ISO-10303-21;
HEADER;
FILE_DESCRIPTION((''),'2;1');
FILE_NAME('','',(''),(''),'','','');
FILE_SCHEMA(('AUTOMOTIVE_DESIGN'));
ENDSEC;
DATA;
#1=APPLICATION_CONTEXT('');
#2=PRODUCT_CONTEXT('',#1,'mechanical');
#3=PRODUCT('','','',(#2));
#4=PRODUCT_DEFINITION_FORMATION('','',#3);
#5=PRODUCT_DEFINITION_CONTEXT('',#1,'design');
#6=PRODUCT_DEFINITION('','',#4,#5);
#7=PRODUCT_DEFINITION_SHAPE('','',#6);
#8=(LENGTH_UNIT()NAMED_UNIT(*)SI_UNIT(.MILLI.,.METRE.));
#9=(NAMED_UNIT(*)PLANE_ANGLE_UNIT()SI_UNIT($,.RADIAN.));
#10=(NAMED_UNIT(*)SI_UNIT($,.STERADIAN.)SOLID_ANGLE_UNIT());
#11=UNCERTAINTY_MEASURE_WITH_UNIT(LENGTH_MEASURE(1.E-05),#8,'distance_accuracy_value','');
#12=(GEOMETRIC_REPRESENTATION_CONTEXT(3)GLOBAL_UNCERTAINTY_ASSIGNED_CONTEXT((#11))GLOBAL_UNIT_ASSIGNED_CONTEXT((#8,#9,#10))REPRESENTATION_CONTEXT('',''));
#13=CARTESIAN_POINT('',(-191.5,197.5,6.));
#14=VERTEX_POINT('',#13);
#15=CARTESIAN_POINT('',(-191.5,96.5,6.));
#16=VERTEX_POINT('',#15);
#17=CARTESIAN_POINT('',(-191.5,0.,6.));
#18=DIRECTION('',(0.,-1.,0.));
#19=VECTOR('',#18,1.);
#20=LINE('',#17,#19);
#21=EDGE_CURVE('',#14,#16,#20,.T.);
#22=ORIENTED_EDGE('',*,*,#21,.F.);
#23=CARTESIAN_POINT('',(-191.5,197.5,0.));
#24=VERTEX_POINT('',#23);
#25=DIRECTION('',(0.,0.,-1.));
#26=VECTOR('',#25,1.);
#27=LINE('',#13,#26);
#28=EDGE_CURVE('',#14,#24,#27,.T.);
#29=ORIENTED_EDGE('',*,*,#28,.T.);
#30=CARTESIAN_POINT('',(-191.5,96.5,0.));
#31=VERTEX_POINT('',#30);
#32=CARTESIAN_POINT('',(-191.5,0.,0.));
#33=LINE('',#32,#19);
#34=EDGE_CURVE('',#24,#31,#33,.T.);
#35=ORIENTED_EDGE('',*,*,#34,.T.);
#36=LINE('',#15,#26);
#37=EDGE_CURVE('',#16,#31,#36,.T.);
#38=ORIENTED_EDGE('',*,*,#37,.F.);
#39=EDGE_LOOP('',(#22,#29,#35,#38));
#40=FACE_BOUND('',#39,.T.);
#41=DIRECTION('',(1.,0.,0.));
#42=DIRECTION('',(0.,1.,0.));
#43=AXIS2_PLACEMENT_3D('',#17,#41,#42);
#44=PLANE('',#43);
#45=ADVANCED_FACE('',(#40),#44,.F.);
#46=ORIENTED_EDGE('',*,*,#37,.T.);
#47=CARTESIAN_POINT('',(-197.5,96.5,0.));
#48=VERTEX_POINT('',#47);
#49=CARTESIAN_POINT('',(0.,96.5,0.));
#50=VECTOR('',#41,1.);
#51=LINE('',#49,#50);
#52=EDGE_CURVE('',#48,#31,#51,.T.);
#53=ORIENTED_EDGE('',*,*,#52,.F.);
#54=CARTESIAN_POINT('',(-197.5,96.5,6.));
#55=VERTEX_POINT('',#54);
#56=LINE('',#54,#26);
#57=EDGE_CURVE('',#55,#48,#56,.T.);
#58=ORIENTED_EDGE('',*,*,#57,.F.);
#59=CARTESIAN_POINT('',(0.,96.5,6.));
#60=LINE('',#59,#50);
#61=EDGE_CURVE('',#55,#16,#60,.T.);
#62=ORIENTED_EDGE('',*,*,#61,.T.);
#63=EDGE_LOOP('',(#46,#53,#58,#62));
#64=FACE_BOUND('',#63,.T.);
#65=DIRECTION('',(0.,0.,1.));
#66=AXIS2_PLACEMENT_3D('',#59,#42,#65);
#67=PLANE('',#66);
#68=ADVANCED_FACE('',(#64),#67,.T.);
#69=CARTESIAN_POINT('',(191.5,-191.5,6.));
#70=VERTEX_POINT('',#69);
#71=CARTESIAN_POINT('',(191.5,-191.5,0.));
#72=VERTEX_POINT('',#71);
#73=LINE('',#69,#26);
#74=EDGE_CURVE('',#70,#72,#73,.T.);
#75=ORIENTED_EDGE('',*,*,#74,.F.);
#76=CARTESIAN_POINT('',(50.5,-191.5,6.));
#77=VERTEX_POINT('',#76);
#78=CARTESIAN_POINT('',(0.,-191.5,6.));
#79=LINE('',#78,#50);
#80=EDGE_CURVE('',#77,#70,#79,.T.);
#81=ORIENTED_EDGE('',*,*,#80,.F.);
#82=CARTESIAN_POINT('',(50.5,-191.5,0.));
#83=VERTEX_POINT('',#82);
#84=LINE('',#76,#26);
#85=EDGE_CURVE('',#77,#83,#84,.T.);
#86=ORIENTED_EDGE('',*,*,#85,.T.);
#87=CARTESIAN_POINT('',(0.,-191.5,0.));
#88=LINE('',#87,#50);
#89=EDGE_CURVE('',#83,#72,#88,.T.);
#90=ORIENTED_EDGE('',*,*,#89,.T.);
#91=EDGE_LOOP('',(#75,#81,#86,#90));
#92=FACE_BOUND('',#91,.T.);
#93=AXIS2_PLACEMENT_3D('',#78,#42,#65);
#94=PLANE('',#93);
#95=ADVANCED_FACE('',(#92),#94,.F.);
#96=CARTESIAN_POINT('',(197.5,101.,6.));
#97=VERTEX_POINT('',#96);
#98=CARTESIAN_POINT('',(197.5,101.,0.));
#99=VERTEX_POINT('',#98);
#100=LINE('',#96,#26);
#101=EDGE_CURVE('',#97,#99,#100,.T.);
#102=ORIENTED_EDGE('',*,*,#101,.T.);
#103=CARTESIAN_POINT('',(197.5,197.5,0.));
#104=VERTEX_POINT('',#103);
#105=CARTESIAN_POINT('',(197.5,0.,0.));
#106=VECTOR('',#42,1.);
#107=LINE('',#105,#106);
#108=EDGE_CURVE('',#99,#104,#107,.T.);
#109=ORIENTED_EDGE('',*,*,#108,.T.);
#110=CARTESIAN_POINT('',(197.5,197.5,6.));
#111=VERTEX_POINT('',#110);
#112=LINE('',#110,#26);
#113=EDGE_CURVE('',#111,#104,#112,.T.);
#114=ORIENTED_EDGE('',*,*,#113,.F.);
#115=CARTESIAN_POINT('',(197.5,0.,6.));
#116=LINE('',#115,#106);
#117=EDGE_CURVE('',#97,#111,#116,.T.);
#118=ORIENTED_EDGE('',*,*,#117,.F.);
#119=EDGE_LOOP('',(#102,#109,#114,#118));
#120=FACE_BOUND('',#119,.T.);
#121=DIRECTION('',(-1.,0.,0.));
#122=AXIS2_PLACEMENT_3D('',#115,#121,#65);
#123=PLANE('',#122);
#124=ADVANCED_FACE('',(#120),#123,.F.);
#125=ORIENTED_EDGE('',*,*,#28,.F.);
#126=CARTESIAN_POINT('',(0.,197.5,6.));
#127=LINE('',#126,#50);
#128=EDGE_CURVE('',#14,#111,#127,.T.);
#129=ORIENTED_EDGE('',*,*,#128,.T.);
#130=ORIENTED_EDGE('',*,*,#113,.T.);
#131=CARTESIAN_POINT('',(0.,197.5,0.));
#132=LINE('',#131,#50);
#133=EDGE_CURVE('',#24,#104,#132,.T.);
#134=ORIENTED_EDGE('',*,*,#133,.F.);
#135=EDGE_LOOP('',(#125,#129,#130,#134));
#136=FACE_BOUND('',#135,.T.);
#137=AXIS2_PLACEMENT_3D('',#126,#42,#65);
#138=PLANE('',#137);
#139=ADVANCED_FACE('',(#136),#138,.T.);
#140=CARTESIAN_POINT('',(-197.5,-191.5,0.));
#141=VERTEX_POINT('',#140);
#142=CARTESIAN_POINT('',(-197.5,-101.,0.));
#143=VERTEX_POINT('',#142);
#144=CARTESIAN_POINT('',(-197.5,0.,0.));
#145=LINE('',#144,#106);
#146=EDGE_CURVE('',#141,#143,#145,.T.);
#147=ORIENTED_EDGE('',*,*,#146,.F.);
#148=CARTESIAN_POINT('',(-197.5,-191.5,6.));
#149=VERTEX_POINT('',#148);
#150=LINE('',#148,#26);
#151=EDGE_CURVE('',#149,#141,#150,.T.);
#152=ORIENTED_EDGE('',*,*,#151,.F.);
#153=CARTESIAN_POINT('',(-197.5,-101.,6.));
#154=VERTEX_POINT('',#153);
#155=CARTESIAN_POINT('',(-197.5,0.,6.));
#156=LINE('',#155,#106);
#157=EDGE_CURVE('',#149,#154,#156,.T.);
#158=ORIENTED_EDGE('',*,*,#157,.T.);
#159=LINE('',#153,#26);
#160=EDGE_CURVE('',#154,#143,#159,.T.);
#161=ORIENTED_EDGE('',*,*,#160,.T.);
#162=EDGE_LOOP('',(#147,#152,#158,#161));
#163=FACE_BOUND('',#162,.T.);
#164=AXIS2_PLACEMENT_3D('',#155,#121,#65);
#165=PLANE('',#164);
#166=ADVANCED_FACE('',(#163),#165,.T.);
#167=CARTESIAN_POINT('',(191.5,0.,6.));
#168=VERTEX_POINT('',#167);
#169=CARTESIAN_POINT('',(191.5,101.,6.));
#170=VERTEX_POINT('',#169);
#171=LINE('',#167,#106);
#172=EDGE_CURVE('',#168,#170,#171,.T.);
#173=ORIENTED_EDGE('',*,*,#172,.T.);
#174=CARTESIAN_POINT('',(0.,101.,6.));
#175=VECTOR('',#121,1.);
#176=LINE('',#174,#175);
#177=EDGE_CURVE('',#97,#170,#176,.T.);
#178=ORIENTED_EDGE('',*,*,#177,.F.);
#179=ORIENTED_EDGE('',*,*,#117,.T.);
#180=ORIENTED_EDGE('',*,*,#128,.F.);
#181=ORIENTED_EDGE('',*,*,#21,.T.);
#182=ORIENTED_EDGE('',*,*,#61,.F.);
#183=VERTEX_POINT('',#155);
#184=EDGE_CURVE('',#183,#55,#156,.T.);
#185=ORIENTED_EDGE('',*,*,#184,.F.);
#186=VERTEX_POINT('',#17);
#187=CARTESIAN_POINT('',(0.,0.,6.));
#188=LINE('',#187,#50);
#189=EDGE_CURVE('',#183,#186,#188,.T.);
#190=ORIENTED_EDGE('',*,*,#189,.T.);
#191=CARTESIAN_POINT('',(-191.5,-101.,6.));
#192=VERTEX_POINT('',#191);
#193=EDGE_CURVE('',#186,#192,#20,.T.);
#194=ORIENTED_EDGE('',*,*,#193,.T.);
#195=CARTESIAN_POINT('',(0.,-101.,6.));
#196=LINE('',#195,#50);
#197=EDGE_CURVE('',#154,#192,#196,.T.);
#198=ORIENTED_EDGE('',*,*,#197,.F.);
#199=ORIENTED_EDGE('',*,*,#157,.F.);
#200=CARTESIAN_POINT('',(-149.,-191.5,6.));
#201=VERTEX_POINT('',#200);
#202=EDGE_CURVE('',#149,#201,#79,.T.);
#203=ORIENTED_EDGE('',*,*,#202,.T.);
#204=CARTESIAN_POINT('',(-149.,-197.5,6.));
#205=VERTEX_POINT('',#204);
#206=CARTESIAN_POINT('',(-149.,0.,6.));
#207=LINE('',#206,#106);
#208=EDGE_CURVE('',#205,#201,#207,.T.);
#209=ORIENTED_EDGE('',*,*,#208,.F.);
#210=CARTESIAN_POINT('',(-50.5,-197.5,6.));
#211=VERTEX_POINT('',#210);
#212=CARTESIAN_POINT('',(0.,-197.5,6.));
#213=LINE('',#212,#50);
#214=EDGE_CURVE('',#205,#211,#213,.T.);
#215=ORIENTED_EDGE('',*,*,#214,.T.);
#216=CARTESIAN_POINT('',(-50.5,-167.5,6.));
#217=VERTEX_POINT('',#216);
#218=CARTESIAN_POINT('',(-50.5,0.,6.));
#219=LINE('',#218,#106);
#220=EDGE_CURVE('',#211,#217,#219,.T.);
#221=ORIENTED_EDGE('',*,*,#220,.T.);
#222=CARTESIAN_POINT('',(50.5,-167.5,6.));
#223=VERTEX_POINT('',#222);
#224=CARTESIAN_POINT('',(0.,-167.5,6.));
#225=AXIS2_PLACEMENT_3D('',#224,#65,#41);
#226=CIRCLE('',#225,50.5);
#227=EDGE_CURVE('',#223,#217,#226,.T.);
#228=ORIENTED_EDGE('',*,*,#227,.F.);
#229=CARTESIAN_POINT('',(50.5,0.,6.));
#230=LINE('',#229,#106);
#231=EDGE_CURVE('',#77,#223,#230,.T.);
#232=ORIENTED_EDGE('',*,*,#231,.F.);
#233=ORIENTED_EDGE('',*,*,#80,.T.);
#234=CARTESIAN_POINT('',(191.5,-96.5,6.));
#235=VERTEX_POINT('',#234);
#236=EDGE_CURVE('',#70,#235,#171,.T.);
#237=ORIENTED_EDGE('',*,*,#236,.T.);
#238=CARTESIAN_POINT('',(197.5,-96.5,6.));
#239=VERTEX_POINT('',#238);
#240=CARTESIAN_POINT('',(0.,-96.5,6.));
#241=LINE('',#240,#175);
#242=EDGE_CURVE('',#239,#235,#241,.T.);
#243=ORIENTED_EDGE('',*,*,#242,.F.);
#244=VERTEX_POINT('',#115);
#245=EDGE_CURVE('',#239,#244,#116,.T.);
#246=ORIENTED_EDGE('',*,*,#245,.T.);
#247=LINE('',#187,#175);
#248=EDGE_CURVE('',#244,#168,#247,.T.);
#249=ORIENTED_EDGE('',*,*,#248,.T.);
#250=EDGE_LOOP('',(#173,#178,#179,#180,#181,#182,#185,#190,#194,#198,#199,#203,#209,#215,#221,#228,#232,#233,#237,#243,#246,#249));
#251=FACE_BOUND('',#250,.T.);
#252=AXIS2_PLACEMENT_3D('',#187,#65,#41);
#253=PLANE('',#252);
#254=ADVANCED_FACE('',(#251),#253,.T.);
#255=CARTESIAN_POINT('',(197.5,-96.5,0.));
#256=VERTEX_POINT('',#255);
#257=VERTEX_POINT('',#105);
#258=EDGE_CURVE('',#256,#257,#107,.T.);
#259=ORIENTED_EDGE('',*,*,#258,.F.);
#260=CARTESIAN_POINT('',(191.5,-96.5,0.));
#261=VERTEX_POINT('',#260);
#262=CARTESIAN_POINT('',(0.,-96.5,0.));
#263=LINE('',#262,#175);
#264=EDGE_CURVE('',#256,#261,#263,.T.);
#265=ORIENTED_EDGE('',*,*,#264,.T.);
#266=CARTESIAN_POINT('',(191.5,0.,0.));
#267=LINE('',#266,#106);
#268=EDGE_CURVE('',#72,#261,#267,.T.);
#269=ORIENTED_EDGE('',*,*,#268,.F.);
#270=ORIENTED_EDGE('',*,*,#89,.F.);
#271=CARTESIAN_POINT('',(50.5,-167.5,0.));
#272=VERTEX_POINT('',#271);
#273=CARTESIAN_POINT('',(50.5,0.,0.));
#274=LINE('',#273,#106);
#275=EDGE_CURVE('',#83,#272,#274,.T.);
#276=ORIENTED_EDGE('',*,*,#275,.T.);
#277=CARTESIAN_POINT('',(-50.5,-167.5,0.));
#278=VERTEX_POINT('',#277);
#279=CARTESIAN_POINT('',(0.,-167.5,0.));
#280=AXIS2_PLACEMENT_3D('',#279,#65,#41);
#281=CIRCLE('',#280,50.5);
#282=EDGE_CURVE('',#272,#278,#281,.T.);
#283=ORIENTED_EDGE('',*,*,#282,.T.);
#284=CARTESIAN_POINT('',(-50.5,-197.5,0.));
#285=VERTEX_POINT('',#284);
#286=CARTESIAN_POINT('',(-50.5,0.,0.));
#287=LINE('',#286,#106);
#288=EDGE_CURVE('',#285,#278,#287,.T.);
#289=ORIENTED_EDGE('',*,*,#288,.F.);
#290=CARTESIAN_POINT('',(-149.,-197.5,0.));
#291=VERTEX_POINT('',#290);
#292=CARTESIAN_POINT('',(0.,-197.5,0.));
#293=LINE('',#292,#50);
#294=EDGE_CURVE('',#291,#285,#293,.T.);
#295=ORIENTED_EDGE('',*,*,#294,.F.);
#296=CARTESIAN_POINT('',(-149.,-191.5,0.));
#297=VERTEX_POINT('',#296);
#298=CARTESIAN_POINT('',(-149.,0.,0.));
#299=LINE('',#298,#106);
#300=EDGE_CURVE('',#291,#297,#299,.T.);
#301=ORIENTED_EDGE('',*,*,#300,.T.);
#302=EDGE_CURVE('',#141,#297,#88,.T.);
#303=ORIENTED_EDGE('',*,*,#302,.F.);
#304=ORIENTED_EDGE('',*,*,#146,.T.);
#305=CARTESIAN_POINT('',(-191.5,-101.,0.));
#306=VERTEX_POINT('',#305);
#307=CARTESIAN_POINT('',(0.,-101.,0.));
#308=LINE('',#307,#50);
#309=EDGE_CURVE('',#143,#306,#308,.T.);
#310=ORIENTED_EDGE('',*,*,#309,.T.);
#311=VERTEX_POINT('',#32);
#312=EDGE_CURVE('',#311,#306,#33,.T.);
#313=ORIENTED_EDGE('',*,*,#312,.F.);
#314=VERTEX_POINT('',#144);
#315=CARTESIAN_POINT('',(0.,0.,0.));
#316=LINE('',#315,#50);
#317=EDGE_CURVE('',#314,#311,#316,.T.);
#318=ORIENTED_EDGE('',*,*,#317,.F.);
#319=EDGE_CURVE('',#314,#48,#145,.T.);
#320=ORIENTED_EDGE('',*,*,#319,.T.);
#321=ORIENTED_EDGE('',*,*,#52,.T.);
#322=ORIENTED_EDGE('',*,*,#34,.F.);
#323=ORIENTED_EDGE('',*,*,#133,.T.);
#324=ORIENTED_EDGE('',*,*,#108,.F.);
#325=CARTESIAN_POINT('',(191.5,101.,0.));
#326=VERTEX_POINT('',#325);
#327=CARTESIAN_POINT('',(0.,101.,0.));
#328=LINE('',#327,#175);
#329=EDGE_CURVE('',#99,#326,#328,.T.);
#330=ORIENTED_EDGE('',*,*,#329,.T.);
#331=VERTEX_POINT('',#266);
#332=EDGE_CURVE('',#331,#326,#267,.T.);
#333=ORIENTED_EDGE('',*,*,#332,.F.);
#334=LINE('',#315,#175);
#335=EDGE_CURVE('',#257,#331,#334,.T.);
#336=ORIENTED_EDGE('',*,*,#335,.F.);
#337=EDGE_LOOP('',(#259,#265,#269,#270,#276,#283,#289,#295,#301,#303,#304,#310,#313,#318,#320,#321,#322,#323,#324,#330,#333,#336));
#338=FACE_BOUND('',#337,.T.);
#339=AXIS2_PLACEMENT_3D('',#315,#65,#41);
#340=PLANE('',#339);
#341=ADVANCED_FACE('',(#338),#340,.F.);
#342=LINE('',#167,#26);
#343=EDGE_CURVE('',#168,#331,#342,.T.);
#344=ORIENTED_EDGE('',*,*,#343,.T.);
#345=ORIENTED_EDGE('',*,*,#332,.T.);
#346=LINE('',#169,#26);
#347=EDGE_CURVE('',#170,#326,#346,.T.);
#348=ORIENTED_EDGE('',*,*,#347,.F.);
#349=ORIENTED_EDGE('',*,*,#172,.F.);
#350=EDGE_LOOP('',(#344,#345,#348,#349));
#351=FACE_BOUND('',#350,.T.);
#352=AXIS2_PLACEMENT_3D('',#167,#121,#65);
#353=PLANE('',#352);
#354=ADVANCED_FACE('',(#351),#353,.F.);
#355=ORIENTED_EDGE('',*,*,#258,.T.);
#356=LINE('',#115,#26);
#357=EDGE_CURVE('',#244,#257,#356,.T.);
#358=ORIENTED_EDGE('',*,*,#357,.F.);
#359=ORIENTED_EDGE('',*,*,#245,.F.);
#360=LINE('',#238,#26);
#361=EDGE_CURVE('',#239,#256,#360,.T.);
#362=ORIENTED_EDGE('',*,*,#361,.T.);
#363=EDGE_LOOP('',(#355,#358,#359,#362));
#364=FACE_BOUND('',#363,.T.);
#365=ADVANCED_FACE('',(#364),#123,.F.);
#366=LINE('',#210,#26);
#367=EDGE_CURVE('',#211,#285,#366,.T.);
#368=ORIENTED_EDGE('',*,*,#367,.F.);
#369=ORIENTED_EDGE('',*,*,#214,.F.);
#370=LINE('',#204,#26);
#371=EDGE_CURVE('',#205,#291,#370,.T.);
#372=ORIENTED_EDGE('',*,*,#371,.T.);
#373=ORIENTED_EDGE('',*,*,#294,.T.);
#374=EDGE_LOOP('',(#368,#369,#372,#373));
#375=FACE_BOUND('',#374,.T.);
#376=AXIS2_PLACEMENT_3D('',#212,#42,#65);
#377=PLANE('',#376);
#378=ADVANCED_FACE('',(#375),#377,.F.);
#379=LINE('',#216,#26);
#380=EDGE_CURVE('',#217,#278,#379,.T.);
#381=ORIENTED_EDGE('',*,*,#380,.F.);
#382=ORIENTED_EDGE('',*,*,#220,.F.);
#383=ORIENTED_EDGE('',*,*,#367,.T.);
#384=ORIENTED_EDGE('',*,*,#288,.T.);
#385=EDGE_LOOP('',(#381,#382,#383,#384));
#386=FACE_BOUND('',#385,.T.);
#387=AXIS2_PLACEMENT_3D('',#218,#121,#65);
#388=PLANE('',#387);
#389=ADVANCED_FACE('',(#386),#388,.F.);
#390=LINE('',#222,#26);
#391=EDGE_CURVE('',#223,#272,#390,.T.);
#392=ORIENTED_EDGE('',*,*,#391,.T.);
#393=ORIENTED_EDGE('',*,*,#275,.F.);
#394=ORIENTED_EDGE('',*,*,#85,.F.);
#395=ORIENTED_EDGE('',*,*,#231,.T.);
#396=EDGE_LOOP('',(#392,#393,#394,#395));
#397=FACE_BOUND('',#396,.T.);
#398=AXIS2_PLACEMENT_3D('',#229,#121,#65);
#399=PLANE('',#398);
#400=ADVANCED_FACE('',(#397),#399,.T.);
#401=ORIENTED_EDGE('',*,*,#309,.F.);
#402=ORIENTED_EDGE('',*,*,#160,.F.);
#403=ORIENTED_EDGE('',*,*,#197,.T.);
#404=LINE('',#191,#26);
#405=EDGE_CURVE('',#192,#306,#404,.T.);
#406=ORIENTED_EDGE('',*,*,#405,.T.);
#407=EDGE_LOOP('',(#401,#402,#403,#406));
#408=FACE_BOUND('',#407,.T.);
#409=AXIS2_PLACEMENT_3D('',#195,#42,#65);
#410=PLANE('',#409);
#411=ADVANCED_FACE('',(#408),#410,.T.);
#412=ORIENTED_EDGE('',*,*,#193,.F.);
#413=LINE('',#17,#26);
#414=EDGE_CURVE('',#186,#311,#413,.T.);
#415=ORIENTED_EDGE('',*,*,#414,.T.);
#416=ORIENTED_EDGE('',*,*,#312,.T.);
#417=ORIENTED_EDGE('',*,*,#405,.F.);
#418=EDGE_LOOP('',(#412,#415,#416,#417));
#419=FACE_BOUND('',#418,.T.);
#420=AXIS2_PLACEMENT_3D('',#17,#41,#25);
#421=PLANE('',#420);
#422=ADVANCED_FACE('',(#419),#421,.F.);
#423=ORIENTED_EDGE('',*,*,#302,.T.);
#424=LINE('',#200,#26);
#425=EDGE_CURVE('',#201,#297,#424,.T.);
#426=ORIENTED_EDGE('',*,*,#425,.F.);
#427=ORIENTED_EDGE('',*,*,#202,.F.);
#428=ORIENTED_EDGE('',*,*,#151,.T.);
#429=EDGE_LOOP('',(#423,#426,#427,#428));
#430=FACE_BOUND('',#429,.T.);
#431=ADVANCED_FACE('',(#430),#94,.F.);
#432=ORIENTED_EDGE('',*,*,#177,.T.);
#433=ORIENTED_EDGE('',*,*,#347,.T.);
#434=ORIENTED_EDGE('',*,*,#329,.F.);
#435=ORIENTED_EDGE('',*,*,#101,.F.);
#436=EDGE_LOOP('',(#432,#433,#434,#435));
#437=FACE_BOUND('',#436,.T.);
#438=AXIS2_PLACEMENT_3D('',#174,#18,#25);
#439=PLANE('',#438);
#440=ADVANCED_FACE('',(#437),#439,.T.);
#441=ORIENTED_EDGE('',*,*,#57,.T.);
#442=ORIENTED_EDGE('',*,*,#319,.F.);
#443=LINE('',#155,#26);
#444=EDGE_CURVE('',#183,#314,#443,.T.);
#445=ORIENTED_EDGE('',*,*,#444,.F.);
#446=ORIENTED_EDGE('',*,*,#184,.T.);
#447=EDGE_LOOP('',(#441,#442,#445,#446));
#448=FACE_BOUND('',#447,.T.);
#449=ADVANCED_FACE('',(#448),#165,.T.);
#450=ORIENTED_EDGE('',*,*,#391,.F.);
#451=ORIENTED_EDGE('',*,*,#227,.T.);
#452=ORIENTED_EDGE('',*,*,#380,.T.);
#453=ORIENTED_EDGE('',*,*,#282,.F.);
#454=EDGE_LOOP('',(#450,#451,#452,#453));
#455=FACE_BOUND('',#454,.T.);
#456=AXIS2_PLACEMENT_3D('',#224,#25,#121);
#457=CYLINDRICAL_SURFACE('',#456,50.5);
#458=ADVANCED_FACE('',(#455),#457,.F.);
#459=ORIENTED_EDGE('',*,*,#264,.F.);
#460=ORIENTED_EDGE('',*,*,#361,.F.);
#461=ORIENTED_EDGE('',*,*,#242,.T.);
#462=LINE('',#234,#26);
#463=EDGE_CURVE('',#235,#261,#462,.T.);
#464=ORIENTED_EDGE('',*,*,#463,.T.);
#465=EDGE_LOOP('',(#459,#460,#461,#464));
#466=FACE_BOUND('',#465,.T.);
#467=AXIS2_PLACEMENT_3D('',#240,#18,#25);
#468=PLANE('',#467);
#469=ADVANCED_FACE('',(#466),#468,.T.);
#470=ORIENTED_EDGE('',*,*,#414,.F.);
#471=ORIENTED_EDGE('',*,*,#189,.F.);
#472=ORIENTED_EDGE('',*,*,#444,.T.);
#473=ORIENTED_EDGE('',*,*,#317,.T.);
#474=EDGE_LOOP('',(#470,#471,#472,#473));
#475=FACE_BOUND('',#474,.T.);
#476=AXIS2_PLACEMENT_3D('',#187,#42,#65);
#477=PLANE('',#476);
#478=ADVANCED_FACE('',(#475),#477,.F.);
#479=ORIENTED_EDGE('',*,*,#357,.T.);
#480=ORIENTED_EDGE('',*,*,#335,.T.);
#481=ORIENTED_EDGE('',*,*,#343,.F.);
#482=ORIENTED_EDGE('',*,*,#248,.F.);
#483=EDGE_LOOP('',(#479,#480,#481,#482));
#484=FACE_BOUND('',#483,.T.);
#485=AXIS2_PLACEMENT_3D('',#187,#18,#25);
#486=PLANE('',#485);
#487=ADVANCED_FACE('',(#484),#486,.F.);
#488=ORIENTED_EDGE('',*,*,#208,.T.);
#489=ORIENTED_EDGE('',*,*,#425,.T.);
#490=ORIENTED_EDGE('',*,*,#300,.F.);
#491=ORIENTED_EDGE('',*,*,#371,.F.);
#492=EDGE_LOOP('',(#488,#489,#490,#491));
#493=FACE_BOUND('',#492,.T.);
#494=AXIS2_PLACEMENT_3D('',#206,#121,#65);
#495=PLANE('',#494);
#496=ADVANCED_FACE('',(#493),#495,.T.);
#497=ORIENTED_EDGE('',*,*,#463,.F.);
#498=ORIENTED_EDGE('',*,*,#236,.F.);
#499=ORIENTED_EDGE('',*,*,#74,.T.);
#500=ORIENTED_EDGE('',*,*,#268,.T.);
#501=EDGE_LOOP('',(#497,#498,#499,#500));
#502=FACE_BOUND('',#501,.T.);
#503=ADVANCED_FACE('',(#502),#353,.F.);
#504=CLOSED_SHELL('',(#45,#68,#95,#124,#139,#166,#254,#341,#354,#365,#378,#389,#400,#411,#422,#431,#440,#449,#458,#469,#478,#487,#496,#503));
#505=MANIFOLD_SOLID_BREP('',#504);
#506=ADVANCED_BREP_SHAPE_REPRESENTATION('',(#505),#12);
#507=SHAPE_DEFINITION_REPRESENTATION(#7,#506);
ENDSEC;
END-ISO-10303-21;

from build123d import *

# Parameters (mm, degrees)
BOSS_EXTRUDE1_DEPTH = 6


with BuildPart() as part:
    # Sketch1 → Boss-Extrude1 (new body)
    with BuildSketch(Plane.XY):
        with BuildLine():
            Line((-149, -191.5), (-149, -197.5))
            Line((-149, -197.5), (-50.5, -197.5))
            Line((-50.5, -197.5), (-50.5, -167.5))
            ThreePointArc((-50.5, -167.5), (0, -117), (50.5, -167.5))
            Line((50.5, -167.5), (50.5, -191.5))
            Line((50.5, -191.5), (191.5, -191.5))
            Line((191.5, -191.5), (191.5, -96.5))
            Line((191.5, -96.5), (197.5, -96.5))
            Line((197.5, -96.5), (197.5, 0))
            Line((197.5, 0), (191.5, 0))
            Line((191.5, 0), (191.5, 101))
            Line((191.5, 101), (197.5, 101))
            Line((197.5, 101), (197.5, 197.5))
            Line((197.5, 197.5), (-191.5, 197.5))
            Line((-191.5, 197.5), (-191.5, 96.5))
            Line((-191.5, 96.5), (-197.5, 96.5))
            Line((-197.5, 96.5), (-197.5, 0))
            Line((-197.5, 0), (-191.5, 0))
            Line((-191.5, 0), (-191.5, -101))
            Line((-191.5, -101), (-197.5, -101))
            Line((-197.5, -101), (-197.5, -191.5))
            Line((-197.5, -191.5), (-149, -191.5))
        make_face()
    extrude(amount=BOSS_EXTRUDE1_DEPTH)


solid = part.part
